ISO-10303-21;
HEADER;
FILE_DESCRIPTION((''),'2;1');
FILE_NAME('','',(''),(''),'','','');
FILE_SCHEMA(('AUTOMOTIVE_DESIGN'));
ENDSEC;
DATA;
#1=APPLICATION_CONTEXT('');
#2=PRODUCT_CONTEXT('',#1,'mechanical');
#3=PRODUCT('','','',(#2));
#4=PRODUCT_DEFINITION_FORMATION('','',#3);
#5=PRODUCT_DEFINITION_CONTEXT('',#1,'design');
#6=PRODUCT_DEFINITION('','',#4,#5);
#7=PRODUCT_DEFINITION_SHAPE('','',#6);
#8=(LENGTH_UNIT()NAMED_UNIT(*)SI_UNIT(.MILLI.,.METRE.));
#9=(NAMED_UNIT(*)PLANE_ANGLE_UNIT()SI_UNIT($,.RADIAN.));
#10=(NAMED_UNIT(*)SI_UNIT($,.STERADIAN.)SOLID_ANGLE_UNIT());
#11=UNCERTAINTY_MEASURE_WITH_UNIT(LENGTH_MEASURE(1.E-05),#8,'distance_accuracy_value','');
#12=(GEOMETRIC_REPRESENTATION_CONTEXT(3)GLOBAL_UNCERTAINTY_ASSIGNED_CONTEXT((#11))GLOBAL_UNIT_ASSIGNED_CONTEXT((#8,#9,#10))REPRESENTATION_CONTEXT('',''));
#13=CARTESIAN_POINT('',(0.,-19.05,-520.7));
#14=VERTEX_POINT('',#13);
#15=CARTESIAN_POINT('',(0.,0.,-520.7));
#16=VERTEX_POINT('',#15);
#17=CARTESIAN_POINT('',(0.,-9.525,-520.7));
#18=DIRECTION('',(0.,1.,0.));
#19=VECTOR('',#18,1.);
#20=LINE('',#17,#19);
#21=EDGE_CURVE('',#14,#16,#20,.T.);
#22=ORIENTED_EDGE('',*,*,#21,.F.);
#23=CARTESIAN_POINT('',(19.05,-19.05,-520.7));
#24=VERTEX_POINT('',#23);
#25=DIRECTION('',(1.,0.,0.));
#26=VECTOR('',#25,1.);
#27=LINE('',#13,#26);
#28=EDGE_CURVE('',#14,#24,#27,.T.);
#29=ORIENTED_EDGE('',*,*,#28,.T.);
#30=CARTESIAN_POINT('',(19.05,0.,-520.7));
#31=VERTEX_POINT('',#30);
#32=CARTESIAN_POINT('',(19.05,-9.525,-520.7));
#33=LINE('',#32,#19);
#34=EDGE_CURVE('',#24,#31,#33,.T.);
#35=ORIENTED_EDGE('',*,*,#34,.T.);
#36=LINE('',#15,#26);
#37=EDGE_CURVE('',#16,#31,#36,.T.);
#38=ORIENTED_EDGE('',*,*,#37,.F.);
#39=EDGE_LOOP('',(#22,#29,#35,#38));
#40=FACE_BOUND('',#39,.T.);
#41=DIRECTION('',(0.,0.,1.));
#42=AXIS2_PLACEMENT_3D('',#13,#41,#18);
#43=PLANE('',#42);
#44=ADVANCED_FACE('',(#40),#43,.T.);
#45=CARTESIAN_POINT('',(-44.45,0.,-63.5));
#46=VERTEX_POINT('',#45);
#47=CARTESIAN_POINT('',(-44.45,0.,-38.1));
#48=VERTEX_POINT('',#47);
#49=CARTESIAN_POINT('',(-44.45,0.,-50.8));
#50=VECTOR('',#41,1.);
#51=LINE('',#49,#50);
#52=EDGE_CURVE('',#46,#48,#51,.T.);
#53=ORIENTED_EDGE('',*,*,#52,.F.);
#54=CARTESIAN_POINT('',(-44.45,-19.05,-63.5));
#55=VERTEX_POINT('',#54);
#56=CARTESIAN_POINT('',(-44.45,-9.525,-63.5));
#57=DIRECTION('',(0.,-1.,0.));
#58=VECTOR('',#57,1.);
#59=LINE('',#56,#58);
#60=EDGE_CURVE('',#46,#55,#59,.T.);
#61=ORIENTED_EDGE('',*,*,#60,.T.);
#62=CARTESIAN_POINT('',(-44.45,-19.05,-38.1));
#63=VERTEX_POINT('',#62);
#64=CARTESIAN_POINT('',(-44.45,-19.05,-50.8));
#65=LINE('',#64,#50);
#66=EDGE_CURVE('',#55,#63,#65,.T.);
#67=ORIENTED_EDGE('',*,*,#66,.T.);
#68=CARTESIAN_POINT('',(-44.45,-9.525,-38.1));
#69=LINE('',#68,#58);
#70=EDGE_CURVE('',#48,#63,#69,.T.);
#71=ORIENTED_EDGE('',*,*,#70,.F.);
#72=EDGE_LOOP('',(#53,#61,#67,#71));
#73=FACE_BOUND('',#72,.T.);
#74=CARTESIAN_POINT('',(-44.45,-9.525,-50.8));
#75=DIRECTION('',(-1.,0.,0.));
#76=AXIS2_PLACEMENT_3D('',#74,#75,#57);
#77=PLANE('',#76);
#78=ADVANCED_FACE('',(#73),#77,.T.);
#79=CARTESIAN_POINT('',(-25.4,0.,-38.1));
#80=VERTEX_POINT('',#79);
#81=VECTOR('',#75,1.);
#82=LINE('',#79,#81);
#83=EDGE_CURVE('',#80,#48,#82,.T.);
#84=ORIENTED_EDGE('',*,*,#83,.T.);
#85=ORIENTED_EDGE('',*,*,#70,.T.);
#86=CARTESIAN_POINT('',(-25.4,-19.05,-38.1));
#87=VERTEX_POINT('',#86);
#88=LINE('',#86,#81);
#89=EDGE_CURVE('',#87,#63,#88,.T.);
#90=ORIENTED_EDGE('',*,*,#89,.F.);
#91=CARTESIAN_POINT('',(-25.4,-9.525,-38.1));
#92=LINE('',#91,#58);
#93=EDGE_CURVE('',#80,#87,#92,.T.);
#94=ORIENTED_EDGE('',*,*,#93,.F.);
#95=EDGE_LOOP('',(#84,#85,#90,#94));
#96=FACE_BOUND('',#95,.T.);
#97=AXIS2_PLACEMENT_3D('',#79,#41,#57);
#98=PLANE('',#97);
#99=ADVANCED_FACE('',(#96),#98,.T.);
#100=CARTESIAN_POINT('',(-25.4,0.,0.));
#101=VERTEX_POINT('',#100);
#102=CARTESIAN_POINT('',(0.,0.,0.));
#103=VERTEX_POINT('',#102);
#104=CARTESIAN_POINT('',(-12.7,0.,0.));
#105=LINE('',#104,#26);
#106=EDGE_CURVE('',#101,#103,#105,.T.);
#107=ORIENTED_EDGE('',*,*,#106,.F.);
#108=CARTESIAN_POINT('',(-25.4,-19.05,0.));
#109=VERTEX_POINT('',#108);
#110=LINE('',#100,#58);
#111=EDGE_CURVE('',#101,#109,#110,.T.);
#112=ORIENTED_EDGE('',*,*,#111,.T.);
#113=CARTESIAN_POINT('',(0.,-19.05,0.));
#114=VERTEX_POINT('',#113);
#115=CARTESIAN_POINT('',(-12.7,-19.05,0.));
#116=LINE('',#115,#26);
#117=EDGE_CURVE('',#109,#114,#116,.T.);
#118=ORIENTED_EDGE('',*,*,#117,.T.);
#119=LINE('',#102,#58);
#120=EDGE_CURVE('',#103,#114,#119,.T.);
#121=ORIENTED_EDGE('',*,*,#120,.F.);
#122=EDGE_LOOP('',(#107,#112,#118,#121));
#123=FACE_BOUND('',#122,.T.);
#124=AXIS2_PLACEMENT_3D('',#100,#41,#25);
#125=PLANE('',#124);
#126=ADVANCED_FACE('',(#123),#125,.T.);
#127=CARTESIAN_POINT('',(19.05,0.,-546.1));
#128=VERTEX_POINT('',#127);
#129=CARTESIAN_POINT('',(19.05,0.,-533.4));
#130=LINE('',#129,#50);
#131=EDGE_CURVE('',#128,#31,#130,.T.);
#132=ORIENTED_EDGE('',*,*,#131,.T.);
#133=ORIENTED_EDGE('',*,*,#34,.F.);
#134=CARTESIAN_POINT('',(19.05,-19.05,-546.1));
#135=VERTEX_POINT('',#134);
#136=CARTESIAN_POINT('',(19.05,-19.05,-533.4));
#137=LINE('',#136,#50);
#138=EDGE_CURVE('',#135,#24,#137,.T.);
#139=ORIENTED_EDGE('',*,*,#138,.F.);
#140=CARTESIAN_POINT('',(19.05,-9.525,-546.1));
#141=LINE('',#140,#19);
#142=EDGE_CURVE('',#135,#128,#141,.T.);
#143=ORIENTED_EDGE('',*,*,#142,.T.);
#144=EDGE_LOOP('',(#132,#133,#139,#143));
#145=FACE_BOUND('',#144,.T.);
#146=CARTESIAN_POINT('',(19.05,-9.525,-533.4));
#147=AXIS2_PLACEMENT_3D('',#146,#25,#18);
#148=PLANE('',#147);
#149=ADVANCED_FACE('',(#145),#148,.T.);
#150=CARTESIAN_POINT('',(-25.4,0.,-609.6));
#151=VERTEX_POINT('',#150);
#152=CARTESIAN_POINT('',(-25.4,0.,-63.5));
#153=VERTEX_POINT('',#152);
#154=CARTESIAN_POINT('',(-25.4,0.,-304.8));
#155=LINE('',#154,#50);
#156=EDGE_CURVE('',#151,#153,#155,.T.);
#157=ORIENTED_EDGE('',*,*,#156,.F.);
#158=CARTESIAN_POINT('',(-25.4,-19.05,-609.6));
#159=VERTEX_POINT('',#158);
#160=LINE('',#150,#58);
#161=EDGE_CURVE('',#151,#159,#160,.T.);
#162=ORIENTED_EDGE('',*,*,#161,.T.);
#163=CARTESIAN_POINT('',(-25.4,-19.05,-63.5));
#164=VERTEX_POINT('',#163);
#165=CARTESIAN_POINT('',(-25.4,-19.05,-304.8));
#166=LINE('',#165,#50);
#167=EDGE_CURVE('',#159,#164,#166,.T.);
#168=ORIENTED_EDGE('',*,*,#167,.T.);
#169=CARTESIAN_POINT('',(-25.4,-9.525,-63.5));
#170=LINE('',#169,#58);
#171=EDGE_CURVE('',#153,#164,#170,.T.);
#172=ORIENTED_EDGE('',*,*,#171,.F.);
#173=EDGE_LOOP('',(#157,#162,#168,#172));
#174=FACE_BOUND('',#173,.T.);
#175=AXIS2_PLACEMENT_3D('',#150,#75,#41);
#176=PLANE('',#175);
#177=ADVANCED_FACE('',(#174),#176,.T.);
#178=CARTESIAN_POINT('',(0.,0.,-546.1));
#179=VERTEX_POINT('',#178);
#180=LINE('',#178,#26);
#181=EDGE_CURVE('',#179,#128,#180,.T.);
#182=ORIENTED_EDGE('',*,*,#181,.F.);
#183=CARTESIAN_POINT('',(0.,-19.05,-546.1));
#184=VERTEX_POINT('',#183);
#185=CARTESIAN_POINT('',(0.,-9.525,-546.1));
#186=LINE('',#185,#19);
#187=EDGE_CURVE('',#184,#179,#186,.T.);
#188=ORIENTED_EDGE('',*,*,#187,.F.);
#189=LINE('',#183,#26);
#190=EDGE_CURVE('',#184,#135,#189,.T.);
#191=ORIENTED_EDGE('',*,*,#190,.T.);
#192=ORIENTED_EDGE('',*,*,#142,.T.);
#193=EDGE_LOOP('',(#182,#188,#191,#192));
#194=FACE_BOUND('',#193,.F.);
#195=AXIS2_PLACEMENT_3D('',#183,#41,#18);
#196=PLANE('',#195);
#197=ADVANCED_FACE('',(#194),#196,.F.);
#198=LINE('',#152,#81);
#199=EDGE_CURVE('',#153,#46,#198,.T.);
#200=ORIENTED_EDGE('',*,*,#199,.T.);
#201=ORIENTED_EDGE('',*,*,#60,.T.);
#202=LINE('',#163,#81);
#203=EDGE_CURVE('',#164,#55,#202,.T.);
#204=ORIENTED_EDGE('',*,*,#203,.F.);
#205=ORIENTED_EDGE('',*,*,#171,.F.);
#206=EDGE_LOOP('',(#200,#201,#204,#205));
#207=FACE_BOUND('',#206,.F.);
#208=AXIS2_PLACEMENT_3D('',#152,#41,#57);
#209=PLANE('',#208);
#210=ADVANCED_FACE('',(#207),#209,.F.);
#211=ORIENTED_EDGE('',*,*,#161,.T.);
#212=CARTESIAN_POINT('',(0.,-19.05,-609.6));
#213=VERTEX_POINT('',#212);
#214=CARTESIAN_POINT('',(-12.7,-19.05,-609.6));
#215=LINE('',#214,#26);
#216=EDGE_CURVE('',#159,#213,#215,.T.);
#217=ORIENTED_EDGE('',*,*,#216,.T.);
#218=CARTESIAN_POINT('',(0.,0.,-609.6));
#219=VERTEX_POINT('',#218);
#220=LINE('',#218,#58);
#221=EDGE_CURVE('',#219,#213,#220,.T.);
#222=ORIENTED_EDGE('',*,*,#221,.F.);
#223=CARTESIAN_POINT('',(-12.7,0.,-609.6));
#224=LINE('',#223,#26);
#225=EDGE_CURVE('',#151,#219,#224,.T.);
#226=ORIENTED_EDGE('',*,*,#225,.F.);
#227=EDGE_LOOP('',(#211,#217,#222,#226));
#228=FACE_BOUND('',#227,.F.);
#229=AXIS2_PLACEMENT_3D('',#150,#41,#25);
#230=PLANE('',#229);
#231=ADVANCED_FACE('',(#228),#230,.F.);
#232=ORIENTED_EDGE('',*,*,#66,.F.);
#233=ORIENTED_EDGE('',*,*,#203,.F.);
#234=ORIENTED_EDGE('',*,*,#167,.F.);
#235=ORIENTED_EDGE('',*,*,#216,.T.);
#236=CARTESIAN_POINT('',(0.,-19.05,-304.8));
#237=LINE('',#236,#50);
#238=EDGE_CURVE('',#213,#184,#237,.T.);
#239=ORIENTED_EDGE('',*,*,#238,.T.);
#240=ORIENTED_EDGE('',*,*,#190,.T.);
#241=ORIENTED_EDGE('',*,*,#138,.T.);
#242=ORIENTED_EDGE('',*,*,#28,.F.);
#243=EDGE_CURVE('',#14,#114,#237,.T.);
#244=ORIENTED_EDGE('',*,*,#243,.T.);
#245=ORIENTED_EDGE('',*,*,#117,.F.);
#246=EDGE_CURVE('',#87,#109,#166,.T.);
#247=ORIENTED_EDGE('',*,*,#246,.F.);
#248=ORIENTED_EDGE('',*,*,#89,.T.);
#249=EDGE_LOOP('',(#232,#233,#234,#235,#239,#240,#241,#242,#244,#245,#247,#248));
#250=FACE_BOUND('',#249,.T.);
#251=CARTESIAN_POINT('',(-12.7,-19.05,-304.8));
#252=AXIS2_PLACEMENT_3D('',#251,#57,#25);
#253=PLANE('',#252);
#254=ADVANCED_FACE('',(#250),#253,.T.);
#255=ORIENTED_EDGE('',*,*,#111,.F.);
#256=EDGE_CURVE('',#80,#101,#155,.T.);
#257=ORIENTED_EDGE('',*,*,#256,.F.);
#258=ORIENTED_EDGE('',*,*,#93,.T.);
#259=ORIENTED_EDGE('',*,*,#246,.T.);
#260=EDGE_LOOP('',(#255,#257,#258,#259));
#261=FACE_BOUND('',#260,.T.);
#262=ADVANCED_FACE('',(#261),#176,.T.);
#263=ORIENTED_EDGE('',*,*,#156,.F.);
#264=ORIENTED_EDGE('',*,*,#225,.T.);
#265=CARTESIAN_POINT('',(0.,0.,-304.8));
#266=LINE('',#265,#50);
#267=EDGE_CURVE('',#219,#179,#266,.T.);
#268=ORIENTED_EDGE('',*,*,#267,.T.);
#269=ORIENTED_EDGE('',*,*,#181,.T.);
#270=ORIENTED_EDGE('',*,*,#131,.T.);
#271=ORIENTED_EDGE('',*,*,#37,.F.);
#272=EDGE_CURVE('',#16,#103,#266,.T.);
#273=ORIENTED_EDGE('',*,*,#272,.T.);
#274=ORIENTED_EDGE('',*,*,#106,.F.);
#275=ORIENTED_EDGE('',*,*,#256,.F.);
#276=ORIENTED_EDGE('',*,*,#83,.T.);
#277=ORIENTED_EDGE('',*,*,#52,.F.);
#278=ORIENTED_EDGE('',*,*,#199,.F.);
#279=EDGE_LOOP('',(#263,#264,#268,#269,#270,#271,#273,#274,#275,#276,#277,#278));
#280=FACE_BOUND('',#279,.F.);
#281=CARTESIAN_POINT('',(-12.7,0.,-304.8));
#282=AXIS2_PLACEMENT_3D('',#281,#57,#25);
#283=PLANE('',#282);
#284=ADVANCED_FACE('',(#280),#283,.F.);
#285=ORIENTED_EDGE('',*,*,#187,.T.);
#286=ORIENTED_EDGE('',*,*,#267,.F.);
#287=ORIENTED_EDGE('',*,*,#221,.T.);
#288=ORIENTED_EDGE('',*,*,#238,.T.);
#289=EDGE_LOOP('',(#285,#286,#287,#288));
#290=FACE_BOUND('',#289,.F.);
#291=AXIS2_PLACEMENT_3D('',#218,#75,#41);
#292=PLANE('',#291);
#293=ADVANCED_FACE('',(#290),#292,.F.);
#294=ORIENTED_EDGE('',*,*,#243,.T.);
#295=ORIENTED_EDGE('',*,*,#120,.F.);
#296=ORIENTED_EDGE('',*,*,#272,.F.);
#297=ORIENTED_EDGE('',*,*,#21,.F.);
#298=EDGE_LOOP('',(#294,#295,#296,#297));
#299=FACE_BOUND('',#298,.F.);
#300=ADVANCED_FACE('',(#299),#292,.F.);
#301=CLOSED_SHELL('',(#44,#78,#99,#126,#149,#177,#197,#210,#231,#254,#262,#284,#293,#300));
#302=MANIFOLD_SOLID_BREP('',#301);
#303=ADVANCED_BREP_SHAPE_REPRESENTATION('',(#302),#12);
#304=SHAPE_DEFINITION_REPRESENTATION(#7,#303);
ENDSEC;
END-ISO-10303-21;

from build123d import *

# Parameters (mm, degrees)
F0_W     = 25.4
F0_H     = 609.6
F1_DEPTH = 19.05
F2_W     = 19.05
F2_H     = 25.4
F3_DEPTH = 19.05
F4_W     = 19.05
F4_H     = 25.4
F5_DEPTH = 19.05


with BuildPart() as f1:
    # F0 (on Front) → F1 (new body)
    with BuildSketch(Plane.XZ):
        with Locations((-12.7, -304.8)):
            Rectangle(F0_W, F0_H)
    extrude(amount=F1_DEPTH)

    # F2 (on face) → F3 (join)
    with BuildSketch(Plane(origin=(-25.4, 0, 0), x_dir=(0, -1, 0), z_dir=(-1, 0, 0))):
        with Locations((9.525, -50.8)):
            Rectangle(F2_W, F2_H)
    extrude(amount=F3_DEPTH)

    # F4 (on face) → F5 (join)
    with BuildSketch(Plane.YZ):
        with Locations((-9.525, -533.4)):
            Rectangle(F4_W, F4_H)
    extrude(amount=F5_DEPTH)


solid = f1.part
